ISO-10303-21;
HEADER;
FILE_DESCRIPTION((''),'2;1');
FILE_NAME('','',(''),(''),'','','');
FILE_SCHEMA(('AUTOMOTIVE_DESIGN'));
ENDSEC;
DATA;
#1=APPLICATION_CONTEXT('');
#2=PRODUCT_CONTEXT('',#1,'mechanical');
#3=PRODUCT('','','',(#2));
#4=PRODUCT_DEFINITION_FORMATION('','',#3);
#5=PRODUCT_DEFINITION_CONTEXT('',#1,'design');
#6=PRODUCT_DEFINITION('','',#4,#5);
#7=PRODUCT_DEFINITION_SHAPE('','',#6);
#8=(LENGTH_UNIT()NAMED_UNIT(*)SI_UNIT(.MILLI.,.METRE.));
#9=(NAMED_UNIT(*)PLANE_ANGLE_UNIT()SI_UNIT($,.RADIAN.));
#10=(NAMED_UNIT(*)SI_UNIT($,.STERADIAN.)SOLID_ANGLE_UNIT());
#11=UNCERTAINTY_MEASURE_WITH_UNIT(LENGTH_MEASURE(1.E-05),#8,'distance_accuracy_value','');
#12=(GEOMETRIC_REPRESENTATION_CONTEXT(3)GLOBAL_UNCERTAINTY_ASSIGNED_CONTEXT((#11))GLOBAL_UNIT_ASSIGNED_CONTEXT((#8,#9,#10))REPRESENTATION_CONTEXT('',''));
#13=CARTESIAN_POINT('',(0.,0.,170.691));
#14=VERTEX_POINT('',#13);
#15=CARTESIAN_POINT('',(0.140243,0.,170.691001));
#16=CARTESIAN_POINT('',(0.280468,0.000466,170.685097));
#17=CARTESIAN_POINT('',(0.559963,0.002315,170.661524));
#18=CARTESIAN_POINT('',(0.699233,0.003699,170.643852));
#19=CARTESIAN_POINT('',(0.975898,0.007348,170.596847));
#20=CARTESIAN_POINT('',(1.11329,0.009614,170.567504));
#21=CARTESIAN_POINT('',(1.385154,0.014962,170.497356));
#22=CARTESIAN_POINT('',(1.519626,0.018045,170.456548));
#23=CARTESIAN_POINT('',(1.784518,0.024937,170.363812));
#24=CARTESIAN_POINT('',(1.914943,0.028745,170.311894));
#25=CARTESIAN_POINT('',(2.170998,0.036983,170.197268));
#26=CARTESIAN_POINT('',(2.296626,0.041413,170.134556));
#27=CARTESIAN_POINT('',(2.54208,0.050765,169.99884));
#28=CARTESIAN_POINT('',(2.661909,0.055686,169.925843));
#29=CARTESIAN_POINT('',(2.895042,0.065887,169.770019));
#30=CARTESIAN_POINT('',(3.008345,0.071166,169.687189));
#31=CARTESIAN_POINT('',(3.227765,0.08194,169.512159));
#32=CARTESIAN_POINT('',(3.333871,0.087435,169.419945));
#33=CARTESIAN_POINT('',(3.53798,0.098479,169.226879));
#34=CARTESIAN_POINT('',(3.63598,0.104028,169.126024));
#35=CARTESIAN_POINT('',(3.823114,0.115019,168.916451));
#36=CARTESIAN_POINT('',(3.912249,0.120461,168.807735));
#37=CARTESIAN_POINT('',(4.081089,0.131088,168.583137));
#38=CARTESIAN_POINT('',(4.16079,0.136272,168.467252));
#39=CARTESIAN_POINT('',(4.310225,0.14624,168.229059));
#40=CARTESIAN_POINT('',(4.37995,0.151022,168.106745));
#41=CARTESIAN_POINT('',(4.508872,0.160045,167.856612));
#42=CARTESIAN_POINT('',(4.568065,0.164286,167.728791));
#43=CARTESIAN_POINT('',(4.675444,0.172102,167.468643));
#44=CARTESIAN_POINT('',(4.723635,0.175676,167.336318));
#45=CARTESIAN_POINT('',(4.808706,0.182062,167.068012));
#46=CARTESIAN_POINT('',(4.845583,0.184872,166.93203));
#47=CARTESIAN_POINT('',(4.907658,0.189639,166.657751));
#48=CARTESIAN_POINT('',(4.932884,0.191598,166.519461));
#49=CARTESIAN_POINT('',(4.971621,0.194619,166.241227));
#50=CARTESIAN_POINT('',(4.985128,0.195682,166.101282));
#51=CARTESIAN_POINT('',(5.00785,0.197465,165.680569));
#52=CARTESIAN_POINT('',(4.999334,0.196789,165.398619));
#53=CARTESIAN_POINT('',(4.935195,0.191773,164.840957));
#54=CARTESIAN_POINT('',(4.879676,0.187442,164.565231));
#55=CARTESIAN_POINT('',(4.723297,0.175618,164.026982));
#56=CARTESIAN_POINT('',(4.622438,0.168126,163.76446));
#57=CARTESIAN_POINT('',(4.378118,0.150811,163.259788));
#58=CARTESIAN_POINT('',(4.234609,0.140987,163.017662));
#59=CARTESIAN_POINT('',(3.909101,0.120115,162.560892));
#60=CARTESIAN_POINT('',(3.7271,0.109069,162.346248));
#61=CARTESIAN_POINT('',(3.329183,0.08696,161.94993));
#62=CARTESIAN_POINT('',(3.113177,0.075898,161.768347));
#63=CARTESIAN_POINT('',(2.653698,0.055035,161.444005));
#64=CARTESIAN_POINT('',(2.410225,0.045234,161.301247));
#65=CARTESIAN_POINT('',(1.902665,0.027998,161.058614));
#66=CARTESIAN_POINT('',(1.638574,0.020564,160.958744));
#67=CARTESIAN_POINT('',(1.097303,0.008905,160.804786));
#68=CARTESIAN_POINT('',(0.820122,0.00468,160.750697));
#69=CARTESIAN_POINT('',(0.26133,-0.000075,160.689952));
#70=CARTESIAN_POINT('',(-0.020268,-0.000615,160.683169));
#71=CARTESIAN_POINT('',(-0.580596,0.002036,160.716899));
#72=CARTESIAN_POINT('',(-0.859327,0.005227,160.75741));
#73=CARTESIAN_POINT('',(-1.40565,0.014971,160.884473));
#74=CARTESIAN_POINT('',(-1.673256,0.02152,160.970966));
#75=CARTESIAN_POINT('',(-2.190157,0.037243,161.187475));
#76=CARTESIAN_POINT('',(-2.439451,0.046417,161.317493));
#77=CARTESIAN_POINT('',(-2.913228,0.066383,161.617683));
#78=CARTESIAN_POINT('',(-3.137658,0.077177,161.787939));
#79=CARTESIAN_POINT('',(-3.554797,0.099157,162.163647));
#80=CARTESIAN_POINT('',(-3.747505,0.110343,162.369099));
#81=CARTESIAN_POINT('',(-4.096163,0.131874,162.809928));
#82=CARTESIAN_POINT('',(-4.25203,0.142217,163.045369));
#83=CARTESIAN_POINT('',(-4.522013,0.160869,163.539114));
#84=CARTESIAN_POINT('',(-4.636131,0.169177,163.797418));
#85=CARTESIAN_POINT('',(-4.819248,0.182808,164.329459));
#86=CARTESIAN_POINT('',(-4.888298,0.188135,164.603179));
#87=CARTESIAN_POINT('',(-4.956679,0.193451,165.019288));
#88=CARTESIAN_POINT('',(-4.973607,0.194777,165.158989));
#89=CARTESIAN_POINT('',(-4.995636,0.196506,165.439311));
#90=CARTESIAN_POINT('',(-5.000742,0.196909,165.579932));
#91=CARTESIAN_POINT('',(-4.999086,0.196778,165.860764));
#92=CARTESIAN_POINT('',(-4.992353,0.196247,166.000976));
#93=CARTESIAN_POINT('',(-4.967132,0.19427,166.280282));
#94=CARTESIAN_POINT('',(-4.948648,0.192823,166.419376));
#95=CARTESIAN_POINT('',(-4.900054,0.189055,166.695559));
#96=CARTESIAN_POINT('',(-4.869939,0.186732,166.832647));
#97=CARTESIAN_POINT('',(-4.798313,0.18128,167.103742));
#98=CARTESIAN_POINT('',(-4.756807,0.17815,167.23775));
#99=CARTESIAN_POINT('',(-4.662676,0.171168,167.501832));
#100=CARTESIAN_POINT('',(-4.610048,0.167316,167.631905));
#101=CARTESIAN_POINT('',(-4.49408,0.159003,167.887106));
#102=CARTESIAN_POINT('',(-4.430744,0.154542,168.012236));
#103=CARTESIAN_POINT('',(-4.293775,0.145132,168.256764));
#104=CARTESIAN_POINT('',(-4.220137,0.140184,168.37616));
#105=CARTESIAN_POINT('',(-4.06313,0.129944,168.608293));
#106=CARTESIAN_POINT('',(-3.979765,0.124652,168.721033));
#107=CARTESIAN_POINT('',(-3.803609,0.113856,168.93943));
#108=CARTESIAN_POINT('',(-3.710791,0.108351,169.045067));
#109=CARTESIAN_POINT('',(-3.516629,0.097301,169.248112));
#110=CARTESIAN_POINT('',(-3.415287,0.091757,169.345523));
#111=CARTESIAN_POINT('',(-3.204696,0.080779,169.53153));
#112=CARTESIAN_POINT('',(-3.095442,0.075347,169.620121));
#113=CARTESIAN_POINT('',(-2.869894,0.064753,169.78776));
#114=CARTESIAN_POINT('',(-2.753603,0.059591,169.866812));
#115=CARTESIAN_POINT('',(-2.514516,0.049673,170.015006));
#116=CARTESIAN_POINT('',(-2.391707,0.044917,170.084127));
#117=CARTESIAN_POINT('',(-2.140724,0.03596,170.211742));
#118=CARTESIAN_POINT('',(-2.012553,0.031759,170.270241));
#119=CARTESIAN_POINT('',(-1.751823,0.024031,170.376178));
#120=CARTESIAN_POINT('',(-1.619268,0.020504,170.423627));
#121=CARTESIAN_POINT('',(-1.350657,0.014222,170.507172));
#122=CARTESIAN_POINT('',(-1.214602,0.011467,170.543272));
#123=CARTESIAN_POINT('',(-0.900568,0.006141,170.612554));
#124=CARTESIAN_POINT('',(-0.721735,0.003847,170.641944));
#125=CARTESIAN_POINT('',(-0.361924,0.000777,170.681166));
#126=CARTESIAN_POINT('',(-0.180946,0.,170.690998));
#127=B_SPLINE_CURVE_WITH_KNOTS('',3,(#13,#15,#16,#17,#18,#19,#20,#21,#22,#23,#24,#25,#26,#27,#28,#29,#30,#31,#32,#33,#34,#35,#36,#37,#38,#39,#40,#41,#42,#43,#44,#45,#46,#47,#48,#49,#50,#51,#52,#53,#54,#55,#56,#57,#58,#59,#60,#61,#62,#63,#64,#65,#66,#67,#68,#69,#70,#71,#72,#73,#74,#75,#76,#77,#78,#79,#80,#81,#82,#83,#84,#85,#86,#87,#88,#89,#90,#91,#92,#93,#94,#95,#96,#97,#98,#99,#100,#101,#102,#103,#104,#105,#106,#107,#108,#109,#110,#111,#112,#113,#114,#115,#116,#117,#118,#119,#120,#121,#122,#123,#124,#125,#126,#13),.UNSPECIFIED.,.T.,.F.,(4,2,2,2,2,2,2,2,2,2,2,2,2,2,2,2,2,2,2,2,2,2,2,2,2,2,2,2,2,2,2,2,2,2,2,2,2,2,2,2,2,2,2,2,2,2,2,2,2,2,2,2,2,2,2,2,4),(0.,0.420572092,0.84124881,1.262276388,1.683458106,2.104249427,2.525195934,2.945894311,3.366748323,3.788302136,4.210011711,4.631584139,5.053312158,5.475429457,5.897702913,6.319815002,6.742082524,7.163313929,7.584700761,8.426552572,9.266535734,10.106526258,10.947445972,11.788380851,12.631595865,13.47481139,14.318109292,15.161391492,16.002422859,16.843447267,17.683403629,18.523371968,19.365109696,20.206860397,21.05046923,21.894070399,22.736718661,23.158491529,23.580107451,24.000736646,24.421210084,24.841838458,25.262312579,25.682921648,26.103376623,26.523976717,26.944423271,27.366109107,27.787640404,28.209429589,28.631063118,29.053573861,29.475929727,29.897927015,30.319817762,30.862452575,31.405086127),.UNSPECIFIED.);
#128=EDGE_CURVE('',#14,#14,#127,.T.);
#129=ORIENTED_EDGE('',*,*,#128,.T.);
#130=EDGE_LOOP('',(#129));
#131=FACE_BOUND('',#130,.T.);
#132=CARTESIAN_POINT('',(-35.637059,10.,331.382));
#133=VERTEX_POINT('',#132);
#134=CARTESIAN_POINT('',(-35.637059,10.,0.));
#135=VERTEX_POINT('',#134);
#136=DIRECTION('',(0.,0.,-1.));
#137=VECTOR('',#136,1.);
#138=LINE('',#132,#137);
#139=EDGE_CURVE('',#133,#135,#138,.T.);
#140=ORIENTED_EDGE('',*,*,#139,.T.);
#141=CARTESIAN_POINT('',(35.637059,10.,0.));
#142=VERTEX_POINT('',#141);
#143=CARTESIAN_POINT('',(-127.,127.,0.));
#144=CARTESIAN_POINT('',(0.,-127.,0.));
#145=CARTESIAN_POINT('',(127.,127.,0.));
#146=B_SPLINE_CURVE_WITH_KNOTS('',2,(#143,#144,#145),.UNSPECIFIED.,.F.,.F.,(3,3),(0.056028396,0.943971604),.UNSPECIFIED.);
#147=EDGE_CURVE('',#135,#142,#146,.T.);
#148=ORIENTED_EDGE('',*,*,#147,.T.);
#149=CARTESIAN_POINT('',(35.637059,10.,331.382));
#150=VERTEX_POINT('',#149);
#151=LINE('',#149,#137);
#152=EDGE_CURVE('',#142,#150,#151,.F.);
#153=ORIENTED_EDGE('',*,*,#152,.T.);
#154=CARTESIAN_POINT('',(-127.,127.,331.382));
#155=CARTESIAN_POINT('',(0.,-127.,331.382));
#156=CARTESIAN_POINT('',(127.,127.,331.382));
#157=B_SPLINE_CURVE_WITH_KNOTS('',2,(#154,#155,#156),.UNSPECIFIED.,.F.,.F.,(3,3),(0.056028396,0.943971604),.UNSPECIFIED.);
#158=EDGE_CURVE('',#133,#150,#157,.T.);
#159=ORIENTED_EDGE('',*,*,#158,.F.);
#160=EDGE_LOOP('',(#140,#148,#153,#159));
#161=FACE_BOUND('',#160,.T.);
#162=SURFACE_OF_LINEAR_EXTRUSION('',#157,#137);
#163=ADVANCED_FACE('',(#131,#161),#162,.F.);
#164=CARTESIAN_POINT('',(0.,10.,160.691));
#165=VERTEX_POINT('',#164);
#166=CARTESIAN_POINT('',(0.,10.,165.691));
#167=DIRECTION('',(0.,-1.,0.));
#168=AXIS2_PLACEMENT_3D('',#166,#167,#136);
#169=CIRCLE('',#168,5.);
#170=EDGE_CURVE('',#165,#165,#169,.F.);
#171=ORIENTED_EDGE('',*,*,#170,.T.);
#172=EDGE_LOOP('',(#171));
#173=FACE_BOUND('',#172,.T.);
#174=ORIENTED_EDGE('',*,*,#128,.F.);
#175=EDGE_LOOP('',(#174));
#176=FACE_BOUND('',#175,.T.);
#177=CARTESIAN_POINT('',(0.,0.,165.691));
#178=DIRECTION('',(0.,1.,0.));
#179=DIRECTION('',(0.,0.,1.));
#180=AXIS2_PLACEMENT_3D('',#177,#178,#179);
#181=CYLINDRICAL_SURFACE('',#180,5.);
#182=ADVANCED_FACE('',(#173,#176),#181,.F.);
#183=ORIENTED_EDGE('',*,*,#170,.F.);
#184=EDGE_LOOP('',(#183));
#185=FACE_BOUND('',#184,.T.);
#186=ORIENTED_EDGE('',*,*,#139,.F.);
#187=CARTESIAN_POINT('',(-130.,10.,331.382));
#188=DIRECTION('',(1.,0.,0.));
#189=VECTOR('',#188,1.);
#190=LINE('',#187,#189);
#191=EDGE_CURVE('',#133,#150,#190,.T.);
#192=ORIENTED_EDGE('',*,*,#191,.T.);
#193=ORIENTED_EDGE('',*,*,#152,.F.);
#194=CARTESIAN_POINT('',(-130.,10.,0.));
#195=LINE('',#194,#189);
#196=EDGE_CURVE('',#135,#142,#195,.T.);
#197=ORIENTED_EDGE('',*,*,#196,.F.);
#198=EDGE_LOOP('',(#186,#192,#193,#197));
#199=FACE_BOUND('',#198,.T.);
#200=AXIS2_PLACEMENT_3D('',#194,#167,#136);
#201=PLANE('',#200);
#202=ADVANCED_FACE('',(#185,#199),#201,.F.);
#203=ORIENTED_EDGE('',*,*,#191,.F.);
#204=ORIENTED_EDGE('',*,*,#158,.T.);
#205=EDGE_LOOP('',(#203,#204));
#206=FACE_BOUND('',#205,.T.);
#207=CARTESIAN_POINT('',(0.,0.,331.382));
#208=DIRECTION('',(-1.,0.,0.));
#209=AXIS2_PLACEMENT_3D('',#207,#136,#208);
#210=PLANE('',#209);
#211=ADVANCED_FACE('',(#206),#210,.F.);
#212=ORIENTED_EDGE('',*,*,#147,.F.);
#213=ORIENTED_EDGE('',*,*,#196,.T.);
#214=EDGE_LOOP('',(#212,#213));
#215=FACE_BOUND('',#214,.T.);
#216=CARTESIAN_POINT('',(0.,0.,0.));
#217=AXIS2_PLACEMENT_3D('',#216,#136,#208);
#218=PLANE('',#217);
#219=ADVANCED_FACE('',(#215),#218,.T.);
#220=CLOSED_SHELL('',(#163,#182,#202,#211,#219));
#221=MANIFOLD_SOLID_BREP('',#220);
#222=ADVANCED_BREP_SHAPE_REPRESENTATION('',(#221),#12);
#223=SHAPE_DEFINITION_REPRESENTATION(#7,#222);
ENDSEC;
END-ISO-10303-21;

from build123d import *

# Parameters (mm, degrees)
BOSS_EXTRUDE2_DEPTH = 331.382
SKETCH3_R           = 5
CUT_EXTRUDE2_DEPTH  = 377.924435453
SKETCH5_W           = 260
SKETCH5_H           = 120
CUT_EXTRUDE4_DEPTH  = 377.924435453


with BuildPart() as part:
    # Sketch2 → Boss-Extrude2 (new body)
    with BuildSketch(Plane.XY):
        with BuildLine():
            Line((-127, 127), (127, 127))
            add(Edge.make_bspline(
                [(-127, 127), (0, -127), (127, 127)],
                knots=[0.056028396, 0.056028396, 0.056028396, 0.943971604, 0.943971604, 0.943971604], degree=2))
        make_face()
    extrude(amount=BOSS_EXTRUDE2_DEPTH)

    # Sketch3 → Cut-Extrude2 (cut, through all)
    with BuildSketch(Plane(origin=(0, 127, 0), x_dir=(1, 0, 0), z_dir=(0, 1, 0))):
        with Locations(Location((0, -165.691, 0), (0, 0, 270))):
            Circle(SKETCH3_R)
    extrude(amount=-CUT_EXTRUDE2_DEPTH, mode=Mode.SUBTRACT)

    # Sketch5 → Cut-Extrude4 (cut, through all)
    with BuildSketch(Plane.XY.offset(331.382)):
        with Locations((0, 70)):
            Rectangle(SKETCH5_W, SKETCH5_H)
    extrude(amount=-CUT_EXTRUDE4_DEPTH, mode=Mode.SUBTRACT)


solid = part.part
